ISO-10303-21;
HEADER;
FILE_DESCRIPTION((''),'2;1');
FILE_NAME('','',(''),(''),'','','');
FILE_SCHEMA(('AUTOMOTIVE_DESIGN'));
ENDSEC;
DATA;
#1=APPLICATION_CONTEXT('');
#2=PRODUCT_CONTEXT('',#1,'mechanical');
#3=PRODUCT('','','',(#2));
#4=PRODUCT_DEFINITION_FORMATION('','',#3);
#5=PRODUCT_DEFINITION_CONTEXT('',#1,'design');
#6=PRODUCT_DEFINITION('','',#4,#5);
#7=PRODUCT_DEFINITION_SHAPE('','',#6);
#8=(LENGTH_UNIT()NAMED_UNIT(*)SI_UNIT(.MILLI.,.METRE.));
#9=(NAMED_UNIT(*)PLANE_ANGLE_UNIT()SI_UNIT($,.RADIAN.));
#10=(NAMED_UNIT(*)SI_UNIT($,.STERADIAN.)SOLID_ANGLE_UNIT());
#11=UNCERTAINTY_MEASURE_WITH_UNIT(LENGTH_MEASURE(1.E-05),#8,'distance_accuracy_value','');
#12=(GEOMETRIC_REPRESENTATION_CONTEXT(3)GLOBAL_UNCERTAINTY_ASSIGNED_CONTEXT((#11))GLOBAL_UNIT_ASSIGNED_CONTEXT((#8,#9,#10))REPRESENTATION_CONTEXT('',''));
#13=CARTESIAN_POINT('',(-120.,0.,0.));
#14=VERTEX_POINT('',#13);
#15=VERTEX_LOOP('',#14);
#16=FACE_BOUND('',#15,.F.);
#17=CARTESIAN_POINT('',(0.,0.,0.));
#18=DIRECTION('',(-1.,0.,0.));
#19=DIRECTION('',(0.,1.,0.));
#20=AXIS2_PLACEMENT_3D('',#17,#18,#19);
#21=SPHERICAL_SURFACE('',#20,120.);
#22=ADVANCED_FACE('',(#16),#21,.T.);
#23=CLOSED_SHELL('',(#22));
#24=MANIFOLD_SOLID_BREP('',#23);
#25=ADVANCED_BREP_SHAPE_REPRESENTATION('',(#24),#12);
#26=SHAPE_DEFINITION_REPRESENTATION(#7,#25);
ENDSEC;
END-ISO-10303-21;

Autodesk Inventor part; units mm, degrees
ref_plane "YZ Plane" through (0, 0, 0) normal (1, 0, 0) x (0, 1, 0)
ref_plane "XZ Plane" through (0, 0, 0) normal (0, 1, 0) x (-1, 0, 0)
ref_plane "XY Plane" through (0, 0, 0) normal (0, 0, 1) x (1, 0, 0)
sketch "スケッチ1" plane through (0, 0, 0) normal (0, 0, 1) x (1, 0, 0)
  circle A0 centre (0, 0) radius 120
  line L0 (-120, 0) -> (120, 0)
  dimension "d0" = 240
revolve "回転1" add sketch "スケッチ1" angle 360 about axis through (-120, 0, 0) along (1, 0, 0) picked at (29.1587, 27.3819) contours L0 A0
properties part number "ball"
